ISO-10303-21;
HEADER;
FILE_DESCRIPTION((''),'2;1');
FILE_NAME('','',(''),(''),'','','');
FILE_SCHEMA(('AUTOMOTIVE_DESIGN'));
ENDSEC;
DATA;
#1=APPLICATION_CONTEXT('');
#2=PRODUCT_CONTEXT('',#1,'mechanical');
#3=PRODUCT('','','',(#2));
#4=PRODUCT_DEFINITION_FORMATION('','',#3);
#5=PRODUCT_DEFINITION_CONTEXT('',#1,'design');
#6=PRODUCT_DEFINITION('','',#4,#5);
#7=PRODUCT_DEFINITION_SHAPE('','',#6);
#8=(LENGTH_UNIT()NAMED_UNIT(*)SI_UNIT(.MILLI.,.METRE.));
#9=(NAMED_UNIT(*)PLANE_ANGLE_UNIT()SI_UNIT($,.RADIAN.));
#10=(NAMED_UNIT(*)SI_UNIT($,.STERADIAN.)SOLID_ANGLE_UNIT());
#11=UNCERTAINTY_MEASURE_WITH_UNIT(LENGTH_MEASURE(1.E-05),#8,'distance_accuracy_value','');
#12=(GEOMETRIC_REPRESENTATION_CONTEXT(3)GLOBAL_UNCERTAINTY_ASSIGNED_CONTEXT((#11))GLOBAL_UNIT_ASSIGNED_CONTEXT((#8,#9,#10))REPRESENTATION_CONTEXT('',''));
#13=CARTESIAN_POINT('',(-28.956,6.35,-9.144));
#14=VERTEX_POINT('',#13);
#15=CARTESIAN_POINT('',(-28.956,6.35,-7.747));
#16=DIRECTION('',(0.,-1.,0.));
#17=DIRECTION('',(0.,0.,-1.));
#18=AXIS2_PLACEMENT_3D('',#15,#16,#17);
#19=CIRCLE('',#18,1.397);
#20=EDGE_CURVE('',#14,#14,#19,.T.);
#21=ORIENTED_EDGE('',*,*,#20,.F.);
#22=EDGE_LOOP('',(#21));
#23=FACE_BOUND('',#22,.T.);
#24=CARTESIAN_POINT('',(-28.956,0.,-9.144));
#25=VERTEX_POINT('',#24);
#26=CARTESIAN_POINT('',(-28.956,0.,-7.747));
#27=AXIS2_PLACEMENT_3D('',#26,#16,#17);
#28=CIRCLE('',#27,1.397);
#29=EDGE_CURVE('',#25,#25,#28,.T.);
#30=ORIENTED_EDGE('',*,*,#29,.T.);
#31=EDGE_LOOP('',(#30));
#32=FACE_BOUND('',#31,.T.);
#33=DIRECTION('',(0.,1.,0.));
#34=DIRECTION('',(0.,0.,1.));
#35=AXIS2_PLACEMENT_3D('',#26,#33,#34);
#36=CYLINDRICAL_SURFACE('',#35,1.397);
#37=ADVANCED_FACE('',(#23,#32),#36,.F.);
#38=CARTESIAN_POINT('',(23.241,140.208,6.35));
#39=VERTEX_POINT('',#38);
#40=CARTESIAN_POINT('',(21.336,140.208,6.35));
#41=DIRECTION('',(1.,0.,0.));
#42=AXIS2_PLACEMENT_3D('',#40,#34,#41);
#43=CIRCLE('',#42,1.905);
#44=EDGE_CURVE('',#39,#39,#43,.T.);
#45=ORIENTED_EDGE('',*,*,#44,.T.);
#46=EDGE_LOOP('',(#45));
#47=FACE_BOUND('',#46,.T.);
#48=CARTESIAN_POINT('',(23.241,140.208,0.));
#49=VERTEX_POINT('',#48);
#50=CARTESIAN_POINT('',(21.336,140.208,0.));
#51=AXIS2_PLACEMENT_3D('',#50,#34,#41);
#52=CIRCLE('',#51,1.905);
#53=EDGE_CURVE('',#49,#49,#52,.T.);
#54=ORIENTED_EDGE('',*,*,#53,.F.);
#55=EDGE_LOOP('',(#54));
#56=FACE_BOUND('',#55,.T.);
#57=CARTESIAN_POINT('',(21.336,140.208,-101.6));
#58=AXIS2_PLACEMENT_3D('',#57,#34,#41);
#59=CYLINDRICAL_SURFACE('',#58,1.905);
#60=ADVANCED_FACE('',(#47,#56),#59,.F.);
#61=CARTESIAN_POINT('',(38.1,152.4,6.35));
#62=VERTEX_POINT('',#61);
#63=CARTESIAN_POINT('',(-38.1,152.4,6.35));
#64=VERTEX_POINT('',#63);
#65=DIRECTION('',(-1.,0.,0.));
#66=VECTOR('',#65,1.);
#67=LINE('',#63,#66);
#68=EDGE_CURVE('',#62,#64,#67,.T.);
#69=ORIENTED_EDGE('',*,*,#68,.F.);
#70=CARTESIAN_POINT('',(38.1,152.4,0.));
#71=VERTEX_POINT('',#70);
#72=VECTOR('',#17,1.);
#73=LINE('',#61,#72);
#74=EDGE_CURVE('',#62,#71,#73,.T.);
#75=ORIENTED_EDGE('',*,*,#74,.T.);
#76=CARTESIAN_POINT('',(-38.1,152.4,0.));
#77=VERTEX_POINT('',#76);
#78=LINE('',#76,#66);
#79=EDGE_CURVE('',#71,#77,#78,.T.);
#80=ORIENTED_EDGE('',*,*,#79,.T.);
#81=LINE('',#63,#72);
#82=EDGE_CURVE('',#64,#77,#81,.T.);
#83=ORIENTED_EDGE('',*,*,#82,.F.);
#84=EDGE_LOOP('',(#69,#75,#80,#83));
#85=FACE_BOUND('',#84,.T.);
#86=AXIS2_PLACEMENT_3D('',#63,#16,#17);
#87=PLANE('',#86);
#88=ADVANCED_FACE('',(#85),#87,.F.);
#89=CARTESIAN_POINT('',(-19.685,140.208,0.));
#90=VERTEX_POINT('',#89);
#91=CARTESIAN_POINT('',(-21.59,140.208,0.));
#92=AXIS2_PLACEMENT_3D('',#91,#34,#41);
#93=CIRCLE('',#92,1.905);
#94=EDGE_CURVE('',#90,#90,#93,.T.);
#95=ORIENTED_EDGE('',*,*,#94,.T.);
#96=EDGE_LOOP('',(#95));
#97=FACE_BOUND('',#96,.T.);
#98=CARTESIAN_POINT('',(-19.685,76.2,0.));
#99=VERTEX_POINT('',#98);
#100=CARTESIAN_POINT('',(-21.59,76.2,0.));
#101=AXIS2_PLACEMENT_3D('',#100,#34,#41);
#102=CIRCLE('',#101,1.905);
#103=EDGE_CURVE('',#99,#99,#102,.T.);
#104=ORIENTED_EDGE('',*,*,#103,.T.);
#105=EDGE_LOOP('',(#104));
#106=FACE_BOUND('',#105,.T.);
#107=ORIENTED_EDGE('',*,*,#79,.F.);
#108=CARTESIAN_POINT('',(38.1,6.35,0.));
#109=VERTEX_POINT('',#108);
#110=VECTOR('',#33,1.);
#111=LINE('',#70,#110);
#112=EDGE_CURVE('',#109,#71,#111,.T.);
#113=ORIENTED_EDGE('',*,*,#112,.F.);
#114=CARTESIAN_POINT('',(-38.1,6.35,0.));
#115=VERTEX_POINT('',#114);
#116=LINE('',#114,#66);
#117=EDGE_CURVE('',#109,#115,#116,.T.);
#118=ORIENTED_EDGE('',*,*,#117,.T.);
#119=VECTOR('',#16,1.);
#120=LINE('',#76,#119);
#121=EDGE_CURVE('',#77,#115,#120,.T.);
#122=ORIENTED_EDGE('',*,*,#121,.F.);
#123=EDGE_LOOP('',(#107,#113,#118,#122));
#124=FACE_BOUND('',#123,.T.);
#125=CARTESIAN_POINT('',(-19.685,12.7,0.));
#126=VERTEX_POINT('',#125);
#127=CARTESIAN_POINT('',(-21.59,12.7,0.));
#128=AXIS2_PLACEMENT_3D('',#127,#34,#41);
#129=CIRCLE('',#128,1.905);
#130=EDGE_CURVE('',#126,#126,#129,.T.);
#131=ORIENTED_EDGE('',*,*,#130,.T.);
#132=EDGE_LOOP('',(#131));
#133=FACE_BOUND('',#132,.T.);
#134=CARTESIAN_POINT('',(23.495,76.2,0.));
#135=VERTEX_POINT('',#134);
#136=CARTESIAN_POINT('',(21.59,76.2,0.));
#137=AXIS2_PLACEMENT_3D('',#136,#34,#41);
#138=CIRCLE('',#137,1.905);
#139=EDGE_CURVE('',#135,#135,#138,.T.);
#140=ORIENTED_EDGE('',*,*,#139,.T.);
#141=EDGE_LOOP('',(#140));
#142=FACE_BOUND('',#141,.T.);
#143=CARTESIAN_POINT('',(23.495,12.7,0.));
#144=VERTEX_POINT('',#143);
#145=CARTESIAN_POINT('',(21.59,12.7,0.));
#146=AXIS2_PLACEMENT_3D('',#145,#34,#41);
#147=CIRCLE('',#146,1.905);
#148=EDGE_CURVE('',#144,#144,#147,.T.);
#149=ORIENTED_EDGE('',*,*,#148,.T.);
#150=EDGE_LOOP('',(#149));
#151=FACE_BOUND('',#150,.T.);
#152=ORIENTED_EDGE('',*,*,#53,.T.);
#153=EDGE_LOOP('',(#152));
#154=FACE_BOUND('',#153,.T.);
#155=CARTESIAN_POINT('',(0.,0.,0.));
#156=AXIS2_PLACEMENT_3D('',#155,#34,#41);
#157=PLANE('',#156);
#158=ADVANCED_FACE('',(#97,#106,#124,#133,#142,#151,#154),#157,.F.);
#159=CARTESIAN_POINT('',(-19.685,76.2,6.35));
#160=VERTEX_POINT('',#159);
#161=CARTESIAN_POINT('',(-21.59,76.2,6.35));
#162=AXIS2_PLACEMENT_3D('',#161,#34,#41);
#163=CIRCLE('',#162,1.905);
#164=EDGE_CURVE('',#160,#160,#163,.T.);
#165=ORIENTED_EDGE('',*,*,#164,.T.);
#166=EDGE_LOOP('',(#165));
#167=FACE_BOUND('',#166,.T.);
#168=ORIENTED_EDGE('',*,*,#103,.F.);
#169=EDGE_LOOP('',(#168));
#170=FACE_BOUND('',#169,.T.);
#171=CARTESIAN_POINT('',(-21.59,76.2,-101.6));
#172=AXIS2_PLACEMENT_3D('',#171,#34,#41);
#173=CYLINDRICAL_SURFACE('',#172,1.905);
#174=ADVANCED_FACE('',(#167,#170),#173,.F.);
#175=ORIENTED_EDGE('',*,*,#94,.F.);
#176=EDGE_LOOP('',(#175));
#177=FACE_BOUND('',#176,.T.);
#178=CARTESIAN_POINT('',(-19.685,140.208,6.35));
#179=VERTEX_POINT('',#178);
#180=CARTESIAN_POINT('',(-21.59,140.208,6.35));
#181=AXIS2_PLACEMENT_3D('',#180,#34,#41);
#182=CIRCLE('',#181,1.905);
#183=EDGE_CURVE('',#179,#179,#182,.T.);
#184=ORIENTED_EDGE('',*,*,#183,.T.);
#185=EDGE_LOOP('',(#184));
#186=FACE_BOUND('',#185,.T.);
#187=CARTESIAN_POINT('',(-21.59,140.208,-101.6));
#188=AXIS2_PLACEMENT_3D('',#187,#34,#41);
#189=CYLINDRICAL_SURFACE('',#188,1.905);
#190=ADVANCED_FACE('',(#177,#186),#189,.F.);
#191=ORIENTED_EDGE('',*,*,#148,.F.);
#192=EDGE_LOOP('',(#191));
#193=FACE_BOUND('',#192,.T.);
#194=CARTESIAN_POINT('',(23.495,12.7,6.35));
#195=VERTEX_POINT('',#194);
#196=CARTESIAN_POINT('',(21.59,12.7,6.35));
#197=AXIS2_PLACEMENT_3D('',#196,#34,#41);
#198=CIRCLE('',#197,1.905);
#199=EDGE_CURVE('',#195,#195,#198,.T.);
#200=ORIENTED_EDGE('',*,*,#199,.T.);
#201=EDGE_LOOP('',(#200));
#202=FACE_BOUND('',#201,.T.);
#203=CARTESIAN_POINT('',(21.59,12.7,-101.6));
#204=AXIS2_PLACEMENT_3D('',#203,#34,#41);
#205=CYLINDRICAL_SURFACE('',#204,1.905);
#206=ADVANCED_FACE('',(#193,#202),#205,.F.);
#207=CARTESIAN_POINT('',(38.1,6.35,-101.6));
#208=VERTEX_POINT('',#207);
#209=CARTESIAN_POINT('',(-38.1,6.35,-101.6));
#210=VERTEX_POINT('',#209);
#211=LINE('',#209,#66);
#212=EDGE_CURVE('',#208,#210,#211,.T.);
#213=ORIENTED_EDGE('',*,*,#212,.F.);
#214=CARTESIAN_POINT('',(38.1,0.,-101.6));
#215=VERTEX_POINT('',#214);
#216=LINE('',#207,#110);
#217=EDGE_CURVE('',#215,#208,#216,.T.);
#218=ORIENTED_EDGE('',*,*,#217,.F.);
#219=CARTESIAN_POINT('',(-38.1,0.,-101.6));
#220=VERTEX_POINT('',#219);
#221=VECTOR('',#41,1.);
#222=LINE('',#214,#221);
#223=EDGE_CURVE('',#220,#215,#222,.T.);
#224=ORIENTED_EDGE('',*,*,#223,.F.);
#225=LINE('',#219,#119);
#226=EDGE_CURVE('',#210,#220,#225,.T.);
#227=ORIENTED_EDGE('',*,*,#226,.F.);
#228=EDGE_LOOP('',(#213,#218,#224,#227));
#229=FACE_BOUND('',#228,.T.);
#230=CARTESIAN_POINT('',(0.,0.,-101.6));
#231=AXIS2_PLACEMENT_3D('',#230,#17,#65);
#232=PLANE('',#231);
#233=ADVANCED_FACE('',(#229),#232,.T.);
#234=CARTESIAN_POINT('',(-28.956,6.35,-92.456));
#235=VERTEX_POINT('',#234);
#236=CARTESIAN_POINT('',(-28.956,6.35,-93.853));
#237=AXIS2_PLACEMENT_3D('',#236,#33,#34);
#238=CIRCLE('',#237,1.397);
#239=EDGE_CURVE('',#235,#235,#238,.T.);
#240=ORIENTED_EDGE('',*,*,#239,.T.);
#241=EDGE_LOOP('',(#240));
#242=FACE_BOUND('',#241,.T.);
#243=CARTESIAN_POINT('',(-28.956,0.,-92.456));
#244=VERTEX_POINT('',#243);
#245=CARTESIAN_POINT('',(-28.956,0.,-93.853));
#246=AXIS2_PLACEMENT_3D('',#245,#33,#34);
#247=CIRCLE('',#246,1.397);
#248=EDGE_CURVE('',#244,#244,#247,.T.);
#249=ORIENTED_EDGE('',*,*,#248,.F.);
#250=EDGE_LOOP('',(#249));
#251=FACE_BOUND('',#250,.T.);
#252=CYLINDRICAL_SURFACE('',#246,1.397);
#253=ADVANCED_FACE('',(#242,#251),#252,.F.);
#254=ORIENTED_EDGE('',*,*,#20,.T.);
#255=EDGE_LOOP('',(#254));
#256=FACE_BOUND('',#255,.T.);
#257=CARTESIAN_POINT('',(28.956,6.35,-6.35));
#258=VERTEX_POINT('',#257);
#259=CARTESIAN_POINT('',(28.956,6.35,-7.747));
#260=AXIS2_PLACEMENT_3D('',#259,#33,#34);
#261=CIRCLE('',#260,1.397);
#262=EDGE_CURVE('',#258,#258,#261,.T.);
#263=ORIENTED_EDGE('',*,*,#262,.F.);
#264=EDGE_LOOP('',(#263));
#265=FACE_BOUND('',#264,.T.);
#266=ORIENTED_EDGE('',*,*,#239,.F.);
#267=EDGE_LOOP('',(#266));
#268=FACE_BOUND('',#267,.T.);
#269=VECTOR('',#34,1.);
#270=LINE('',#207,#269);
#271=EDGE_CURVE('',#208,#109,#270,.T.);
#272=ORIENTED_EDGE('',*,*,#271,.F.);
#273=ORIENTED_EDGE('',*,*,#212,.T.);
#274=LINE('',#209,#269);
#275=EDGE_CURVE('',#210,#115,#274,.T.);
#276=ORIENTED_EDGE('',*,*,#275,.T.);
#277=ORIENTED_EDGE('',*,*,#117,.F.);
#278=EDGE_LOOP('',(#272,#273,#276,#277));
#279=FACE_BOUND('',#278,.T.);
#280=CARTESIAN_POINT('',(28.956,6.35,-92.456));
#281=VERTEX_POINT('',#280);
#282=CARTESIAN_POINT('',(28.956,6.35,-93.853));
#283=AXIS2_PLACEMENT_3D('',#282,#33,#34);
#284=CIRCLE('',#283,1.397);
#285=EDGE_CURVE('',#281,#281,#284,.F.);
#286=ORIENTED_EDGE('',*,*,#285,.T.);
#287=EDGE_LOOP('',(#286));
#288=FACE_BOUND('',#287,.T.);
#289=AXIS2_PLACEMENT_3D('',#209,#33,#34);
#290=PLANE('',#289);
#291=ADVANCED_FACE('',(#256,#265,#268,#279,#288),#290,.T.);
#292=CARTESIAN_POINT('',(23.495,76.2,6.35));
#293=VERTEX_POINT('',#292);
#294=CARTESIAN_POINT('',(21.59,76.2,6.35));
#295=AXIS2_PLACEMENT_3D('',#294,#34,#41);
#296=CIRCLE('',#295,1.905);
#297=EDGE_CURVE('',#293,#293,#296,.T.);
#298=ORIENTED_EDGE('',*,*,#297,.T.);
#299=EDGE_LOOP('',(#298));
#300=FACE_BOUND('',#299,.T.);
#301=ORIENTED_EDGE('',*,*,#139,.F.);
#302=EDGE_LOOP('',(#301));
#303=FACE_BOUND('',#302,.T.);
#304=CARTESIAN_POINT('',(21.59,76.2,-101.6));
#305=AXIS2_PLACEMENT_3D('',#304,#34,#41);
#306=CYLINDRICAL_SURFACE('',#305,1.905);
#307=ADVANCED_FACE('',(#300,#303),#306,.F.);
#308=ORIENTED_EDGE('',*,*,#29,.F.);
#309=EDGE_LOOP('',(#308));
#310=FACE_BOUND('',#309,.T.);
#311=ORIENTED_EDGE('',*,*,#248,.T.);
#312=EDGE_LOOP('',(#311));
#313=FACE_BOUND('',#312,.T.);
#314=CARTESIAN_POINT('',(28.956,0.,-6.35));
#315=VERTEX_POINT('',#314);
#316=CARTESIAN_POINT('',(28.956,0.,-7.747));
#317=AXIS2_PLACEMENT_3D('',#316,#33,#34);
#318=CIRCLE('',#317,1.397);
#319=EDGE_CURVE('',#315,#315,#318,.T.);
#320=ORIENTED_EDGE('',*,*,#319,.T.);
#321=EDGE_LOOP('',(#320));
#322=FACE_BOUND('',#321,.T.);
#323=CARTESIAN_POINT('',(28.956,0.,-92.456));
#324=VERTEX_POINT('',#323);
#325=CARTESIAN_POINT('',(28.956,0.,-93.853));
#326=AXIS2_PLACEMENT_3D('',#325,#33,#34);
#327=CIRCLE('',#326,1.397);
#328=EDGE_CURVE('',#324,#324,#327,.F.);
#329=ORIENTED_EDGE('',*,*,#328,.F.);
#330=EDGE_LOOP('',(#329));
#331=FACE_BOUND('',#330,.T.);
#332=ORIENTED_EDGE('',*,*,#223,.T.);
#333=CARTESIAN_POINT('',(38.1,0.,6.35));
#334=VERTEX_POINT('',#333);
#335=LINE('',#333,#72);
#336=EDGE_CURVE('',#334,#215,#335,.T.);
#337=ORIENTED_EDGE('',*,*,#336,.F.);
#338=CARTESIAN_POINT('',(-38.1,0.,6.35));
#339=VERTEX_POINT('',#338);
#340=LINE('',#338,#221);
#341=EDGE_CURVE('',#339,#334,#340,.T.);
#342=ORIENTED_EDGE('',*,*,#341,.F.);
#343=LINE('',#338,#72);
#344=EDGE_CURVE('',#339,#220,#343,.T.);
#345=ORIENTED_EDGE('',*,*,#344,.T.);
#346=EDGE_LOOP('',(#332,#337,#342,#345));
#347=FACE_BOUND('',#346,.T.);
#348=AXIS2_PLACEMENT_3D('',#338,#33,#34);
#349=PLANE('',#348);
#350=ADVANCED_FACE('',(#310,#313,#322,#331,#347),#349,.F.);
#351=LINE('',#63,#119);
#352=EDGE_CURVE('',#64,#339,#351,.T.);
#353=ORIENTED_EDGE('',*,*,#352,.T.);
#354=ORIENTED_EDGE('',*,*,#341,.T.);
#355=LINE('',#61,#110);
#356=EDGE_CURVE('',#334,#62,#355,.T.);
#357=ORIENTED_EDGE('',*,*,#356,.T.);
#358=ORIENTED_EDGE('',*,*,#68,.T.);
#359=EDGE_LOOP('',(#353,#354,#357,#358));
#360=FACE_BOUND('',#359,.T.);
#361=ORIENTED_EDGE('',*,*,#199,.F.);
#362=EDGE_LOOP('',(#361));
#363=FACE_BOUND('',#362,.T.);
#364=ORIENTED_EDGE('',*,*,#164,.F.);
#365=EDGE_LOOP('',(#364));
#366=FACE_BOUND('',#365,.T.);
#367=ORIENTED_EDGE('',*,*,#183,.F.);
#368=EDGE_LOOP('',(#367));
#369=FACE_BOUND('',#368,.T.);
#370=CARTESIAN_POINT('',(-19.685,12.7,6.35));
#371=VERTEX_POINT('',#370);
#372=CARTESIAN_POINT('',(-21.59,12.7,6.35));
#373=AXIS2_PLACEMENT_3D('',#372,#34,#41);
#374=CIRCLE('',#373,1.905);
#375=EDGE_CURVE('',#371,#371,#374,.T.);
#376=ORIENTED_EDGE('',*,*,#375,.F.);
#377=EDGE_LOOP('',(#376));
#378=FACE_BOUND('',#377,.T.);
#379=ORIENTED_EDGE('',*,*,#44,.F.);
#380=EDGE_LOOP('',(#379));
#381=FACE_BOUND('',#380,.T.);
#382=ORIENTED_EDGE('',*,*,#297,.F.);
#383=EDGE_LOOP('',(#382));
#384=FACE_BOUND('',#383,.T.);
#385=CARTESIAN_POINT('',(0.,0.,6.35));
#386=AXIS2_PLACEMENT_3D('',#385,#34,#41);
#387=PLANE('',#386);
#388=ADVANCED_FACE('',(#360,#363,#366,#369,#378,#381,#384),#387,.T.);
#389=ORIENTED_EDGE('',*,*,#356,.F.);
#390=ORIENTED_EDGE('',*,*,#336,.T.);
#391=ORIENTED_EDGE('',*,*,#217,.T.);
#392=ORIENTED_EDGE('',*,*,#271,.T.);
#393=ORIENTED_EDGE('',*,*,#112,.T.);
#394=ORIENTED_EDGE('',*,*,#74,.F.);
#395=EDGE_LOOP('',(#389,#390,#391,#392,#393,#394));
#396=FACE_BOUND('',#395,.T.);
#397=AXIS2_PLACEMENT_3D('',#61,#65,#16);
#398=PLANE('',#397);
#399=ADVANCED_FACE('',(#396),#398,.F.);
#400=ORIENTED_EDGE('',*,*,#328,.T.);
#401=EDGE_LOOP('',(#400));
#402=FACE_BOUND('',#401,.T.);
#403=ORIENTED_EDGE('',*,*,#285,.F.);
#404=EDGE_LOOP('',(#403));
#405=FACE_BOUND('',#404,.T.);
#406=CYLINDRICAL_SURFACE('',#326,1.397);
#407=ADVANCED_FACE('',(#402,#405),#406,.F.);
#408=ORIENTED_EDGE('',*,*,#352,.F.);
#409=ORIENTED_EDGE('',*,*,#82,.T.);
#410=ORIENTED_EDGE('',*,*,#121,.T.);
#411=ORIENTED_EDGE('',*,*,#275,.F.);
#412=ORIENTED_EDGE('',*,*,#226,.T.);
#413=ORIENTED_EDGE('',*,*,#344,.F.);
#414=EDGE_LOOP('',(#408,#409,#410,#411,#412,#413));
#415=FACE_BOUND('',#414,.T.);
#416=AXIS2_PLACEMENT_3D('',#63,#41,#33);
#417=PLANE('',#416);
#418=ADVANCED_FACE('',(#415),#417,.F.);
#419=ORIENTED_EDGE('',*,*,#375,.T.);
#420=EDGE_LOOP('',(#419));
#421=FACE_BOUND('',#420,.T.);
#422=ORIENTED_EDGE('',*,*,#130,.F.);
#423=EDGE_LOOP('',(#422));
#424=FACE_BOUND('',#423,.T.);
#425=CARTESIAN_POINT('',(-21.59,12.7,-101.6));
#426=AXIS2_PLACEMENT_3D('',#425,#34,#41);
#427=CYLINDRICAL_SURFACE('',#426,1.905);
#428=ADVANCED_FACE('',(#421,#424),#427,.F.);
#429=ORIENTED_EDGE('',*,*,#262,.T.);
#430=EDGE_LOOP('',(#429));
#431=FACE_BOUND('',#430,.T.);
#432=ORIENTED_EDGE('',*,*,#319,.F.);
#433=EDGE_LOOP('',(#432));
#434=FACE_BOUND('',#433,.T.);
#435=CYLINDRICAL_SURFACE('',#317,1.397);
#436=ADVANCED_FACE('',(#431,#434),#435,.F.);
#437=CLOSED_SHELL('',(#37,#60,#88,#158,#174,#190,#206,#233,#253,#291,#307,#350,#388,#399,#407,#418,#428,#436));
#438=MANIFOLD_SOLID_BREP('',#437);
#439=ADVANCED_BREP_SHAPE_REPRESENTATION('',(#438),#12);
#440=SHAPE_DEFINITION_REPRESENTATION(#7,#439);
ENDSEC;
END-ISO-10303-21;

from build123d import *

# Parameters (mm, degrees)
SKETCH1_W           = 76.2
SKETCH1_H           = 152.4
BOSS_EXTRUDE1_DEPTH = 6.35
SKETCH3_W           = 76.2
SKETCH3_H           = 6.35
BOSS_EXTRUDE2_DEPTH = 101.6
SKETCH4_R           = 1.905
CUT_EXTRUDE1_DEPTH  = 191.605803952
SKETCH5_R           = 1.397
CUT_EXTRUDE2_DEPTH  = 182.94716953


with BuildPart() as part:
    # Sketch1 → Boss-Extrude1 (new body)
    with BuildSketch(Plane.XY):
        with Locations((0, 76.2)):
            Rectangle(SKETCH1_W, SKETCH1_H)
    extrude(amount=BOSS_EXTRUDE1_DEPTH)

    # Sketch3 → Boss-Extrude2 (add)
    with BuildSketch(Plane.XY):
        with Locations((0, 3.175)):
            Rectangle(SKETCH3_W, SKETCH3_H)
    extrude(amount=-BOSS_EXTRUDE2_DEPTH)

    # Sketch4 → Cut-Extrude1 (cut, through all)
    with BuildSketch(Plane.XY.offset(6.35)):
        with Locations((21.59, 76.2)):
            Circle(SKETCH4_R)
        with Locations((21.59, 12.7)):
            Circle(SKETCH4_R)
        with Locations((-21.59, 12.7)):
            Circle(SKETCH4_R)
        with Locations((-21.59, 76.2)):
            Circle(SKETCH4_R)
        with Locations((21.336, 140.208)):
            Circle(SKETCH4_R)
        with Locations((-21.59, 140.208)):
            Circle(SKETCH4_R)
    extrude(amount=-CUT_EXTRUDE1_DEPTH, mode=Mode.SUBTRACT)

    # Sketch5 → Cut-Extrude2 (cut, through all)
    with BuildSketch(Plane(origin=(0, 6.35, 0), x_dir=(1, 0, 0), z_dir=(0, 1, 0))):
        with BuildLine():
            ThreePointArc((-28.956, 92.456), (-27.968171827, 92.865171827), (-27.559, 93.853))
            Line((-27.559, 93.853), (-28.956, 93.853))
            Line((-28.956, 93.853), (-28.956, 92.456))
        make_face()
        with BuildLine():
            Line((-28.956, 93.853), (-27.559, 93.853))
            ThreePointArc((-27.559, 93.853), (-29.943828173, 94.840828173), (-28.956, 92.456))
            Line((-28.956, 92.456), (-28.956, 93.853))
        make_face()
        with BuildLine():
            ThreePointArc((30.353, 93.853), (28.956, 95.25), (27.559, 93.853))
            Line((27.559, 93.853), (28.956, 93.853))
            Line((28.956, 93.853), (28.956, 92.456))
            ThreePointArc((28.956, 92.456), (29.943828173, 92.865171827), (30.353, 93.853))
        make_face()
        with BuildLine():
            Line((28.956, 93.853), (27.559, 93.853))
            ThreePointArc((27.559, 93.853), (27.968171827, 92.865171827), (28.956, 92.456))
            Line((28.956, 92.456), (28.956, 93.853))
        make_face()
        with Locations(Location((-28.956, 7.747, 0), (0, 0, 90))):
            Circle(SKETCH5_R)
        with Locations(Location((28.956, 7.747, 0), (0, 0, 270))):
            Circle(SKETCH5_R)
    extrude(amount=-CUT_EXTRUDE2_DEPTH, mode=Mode.SUBTRACT)


solid = part.part
